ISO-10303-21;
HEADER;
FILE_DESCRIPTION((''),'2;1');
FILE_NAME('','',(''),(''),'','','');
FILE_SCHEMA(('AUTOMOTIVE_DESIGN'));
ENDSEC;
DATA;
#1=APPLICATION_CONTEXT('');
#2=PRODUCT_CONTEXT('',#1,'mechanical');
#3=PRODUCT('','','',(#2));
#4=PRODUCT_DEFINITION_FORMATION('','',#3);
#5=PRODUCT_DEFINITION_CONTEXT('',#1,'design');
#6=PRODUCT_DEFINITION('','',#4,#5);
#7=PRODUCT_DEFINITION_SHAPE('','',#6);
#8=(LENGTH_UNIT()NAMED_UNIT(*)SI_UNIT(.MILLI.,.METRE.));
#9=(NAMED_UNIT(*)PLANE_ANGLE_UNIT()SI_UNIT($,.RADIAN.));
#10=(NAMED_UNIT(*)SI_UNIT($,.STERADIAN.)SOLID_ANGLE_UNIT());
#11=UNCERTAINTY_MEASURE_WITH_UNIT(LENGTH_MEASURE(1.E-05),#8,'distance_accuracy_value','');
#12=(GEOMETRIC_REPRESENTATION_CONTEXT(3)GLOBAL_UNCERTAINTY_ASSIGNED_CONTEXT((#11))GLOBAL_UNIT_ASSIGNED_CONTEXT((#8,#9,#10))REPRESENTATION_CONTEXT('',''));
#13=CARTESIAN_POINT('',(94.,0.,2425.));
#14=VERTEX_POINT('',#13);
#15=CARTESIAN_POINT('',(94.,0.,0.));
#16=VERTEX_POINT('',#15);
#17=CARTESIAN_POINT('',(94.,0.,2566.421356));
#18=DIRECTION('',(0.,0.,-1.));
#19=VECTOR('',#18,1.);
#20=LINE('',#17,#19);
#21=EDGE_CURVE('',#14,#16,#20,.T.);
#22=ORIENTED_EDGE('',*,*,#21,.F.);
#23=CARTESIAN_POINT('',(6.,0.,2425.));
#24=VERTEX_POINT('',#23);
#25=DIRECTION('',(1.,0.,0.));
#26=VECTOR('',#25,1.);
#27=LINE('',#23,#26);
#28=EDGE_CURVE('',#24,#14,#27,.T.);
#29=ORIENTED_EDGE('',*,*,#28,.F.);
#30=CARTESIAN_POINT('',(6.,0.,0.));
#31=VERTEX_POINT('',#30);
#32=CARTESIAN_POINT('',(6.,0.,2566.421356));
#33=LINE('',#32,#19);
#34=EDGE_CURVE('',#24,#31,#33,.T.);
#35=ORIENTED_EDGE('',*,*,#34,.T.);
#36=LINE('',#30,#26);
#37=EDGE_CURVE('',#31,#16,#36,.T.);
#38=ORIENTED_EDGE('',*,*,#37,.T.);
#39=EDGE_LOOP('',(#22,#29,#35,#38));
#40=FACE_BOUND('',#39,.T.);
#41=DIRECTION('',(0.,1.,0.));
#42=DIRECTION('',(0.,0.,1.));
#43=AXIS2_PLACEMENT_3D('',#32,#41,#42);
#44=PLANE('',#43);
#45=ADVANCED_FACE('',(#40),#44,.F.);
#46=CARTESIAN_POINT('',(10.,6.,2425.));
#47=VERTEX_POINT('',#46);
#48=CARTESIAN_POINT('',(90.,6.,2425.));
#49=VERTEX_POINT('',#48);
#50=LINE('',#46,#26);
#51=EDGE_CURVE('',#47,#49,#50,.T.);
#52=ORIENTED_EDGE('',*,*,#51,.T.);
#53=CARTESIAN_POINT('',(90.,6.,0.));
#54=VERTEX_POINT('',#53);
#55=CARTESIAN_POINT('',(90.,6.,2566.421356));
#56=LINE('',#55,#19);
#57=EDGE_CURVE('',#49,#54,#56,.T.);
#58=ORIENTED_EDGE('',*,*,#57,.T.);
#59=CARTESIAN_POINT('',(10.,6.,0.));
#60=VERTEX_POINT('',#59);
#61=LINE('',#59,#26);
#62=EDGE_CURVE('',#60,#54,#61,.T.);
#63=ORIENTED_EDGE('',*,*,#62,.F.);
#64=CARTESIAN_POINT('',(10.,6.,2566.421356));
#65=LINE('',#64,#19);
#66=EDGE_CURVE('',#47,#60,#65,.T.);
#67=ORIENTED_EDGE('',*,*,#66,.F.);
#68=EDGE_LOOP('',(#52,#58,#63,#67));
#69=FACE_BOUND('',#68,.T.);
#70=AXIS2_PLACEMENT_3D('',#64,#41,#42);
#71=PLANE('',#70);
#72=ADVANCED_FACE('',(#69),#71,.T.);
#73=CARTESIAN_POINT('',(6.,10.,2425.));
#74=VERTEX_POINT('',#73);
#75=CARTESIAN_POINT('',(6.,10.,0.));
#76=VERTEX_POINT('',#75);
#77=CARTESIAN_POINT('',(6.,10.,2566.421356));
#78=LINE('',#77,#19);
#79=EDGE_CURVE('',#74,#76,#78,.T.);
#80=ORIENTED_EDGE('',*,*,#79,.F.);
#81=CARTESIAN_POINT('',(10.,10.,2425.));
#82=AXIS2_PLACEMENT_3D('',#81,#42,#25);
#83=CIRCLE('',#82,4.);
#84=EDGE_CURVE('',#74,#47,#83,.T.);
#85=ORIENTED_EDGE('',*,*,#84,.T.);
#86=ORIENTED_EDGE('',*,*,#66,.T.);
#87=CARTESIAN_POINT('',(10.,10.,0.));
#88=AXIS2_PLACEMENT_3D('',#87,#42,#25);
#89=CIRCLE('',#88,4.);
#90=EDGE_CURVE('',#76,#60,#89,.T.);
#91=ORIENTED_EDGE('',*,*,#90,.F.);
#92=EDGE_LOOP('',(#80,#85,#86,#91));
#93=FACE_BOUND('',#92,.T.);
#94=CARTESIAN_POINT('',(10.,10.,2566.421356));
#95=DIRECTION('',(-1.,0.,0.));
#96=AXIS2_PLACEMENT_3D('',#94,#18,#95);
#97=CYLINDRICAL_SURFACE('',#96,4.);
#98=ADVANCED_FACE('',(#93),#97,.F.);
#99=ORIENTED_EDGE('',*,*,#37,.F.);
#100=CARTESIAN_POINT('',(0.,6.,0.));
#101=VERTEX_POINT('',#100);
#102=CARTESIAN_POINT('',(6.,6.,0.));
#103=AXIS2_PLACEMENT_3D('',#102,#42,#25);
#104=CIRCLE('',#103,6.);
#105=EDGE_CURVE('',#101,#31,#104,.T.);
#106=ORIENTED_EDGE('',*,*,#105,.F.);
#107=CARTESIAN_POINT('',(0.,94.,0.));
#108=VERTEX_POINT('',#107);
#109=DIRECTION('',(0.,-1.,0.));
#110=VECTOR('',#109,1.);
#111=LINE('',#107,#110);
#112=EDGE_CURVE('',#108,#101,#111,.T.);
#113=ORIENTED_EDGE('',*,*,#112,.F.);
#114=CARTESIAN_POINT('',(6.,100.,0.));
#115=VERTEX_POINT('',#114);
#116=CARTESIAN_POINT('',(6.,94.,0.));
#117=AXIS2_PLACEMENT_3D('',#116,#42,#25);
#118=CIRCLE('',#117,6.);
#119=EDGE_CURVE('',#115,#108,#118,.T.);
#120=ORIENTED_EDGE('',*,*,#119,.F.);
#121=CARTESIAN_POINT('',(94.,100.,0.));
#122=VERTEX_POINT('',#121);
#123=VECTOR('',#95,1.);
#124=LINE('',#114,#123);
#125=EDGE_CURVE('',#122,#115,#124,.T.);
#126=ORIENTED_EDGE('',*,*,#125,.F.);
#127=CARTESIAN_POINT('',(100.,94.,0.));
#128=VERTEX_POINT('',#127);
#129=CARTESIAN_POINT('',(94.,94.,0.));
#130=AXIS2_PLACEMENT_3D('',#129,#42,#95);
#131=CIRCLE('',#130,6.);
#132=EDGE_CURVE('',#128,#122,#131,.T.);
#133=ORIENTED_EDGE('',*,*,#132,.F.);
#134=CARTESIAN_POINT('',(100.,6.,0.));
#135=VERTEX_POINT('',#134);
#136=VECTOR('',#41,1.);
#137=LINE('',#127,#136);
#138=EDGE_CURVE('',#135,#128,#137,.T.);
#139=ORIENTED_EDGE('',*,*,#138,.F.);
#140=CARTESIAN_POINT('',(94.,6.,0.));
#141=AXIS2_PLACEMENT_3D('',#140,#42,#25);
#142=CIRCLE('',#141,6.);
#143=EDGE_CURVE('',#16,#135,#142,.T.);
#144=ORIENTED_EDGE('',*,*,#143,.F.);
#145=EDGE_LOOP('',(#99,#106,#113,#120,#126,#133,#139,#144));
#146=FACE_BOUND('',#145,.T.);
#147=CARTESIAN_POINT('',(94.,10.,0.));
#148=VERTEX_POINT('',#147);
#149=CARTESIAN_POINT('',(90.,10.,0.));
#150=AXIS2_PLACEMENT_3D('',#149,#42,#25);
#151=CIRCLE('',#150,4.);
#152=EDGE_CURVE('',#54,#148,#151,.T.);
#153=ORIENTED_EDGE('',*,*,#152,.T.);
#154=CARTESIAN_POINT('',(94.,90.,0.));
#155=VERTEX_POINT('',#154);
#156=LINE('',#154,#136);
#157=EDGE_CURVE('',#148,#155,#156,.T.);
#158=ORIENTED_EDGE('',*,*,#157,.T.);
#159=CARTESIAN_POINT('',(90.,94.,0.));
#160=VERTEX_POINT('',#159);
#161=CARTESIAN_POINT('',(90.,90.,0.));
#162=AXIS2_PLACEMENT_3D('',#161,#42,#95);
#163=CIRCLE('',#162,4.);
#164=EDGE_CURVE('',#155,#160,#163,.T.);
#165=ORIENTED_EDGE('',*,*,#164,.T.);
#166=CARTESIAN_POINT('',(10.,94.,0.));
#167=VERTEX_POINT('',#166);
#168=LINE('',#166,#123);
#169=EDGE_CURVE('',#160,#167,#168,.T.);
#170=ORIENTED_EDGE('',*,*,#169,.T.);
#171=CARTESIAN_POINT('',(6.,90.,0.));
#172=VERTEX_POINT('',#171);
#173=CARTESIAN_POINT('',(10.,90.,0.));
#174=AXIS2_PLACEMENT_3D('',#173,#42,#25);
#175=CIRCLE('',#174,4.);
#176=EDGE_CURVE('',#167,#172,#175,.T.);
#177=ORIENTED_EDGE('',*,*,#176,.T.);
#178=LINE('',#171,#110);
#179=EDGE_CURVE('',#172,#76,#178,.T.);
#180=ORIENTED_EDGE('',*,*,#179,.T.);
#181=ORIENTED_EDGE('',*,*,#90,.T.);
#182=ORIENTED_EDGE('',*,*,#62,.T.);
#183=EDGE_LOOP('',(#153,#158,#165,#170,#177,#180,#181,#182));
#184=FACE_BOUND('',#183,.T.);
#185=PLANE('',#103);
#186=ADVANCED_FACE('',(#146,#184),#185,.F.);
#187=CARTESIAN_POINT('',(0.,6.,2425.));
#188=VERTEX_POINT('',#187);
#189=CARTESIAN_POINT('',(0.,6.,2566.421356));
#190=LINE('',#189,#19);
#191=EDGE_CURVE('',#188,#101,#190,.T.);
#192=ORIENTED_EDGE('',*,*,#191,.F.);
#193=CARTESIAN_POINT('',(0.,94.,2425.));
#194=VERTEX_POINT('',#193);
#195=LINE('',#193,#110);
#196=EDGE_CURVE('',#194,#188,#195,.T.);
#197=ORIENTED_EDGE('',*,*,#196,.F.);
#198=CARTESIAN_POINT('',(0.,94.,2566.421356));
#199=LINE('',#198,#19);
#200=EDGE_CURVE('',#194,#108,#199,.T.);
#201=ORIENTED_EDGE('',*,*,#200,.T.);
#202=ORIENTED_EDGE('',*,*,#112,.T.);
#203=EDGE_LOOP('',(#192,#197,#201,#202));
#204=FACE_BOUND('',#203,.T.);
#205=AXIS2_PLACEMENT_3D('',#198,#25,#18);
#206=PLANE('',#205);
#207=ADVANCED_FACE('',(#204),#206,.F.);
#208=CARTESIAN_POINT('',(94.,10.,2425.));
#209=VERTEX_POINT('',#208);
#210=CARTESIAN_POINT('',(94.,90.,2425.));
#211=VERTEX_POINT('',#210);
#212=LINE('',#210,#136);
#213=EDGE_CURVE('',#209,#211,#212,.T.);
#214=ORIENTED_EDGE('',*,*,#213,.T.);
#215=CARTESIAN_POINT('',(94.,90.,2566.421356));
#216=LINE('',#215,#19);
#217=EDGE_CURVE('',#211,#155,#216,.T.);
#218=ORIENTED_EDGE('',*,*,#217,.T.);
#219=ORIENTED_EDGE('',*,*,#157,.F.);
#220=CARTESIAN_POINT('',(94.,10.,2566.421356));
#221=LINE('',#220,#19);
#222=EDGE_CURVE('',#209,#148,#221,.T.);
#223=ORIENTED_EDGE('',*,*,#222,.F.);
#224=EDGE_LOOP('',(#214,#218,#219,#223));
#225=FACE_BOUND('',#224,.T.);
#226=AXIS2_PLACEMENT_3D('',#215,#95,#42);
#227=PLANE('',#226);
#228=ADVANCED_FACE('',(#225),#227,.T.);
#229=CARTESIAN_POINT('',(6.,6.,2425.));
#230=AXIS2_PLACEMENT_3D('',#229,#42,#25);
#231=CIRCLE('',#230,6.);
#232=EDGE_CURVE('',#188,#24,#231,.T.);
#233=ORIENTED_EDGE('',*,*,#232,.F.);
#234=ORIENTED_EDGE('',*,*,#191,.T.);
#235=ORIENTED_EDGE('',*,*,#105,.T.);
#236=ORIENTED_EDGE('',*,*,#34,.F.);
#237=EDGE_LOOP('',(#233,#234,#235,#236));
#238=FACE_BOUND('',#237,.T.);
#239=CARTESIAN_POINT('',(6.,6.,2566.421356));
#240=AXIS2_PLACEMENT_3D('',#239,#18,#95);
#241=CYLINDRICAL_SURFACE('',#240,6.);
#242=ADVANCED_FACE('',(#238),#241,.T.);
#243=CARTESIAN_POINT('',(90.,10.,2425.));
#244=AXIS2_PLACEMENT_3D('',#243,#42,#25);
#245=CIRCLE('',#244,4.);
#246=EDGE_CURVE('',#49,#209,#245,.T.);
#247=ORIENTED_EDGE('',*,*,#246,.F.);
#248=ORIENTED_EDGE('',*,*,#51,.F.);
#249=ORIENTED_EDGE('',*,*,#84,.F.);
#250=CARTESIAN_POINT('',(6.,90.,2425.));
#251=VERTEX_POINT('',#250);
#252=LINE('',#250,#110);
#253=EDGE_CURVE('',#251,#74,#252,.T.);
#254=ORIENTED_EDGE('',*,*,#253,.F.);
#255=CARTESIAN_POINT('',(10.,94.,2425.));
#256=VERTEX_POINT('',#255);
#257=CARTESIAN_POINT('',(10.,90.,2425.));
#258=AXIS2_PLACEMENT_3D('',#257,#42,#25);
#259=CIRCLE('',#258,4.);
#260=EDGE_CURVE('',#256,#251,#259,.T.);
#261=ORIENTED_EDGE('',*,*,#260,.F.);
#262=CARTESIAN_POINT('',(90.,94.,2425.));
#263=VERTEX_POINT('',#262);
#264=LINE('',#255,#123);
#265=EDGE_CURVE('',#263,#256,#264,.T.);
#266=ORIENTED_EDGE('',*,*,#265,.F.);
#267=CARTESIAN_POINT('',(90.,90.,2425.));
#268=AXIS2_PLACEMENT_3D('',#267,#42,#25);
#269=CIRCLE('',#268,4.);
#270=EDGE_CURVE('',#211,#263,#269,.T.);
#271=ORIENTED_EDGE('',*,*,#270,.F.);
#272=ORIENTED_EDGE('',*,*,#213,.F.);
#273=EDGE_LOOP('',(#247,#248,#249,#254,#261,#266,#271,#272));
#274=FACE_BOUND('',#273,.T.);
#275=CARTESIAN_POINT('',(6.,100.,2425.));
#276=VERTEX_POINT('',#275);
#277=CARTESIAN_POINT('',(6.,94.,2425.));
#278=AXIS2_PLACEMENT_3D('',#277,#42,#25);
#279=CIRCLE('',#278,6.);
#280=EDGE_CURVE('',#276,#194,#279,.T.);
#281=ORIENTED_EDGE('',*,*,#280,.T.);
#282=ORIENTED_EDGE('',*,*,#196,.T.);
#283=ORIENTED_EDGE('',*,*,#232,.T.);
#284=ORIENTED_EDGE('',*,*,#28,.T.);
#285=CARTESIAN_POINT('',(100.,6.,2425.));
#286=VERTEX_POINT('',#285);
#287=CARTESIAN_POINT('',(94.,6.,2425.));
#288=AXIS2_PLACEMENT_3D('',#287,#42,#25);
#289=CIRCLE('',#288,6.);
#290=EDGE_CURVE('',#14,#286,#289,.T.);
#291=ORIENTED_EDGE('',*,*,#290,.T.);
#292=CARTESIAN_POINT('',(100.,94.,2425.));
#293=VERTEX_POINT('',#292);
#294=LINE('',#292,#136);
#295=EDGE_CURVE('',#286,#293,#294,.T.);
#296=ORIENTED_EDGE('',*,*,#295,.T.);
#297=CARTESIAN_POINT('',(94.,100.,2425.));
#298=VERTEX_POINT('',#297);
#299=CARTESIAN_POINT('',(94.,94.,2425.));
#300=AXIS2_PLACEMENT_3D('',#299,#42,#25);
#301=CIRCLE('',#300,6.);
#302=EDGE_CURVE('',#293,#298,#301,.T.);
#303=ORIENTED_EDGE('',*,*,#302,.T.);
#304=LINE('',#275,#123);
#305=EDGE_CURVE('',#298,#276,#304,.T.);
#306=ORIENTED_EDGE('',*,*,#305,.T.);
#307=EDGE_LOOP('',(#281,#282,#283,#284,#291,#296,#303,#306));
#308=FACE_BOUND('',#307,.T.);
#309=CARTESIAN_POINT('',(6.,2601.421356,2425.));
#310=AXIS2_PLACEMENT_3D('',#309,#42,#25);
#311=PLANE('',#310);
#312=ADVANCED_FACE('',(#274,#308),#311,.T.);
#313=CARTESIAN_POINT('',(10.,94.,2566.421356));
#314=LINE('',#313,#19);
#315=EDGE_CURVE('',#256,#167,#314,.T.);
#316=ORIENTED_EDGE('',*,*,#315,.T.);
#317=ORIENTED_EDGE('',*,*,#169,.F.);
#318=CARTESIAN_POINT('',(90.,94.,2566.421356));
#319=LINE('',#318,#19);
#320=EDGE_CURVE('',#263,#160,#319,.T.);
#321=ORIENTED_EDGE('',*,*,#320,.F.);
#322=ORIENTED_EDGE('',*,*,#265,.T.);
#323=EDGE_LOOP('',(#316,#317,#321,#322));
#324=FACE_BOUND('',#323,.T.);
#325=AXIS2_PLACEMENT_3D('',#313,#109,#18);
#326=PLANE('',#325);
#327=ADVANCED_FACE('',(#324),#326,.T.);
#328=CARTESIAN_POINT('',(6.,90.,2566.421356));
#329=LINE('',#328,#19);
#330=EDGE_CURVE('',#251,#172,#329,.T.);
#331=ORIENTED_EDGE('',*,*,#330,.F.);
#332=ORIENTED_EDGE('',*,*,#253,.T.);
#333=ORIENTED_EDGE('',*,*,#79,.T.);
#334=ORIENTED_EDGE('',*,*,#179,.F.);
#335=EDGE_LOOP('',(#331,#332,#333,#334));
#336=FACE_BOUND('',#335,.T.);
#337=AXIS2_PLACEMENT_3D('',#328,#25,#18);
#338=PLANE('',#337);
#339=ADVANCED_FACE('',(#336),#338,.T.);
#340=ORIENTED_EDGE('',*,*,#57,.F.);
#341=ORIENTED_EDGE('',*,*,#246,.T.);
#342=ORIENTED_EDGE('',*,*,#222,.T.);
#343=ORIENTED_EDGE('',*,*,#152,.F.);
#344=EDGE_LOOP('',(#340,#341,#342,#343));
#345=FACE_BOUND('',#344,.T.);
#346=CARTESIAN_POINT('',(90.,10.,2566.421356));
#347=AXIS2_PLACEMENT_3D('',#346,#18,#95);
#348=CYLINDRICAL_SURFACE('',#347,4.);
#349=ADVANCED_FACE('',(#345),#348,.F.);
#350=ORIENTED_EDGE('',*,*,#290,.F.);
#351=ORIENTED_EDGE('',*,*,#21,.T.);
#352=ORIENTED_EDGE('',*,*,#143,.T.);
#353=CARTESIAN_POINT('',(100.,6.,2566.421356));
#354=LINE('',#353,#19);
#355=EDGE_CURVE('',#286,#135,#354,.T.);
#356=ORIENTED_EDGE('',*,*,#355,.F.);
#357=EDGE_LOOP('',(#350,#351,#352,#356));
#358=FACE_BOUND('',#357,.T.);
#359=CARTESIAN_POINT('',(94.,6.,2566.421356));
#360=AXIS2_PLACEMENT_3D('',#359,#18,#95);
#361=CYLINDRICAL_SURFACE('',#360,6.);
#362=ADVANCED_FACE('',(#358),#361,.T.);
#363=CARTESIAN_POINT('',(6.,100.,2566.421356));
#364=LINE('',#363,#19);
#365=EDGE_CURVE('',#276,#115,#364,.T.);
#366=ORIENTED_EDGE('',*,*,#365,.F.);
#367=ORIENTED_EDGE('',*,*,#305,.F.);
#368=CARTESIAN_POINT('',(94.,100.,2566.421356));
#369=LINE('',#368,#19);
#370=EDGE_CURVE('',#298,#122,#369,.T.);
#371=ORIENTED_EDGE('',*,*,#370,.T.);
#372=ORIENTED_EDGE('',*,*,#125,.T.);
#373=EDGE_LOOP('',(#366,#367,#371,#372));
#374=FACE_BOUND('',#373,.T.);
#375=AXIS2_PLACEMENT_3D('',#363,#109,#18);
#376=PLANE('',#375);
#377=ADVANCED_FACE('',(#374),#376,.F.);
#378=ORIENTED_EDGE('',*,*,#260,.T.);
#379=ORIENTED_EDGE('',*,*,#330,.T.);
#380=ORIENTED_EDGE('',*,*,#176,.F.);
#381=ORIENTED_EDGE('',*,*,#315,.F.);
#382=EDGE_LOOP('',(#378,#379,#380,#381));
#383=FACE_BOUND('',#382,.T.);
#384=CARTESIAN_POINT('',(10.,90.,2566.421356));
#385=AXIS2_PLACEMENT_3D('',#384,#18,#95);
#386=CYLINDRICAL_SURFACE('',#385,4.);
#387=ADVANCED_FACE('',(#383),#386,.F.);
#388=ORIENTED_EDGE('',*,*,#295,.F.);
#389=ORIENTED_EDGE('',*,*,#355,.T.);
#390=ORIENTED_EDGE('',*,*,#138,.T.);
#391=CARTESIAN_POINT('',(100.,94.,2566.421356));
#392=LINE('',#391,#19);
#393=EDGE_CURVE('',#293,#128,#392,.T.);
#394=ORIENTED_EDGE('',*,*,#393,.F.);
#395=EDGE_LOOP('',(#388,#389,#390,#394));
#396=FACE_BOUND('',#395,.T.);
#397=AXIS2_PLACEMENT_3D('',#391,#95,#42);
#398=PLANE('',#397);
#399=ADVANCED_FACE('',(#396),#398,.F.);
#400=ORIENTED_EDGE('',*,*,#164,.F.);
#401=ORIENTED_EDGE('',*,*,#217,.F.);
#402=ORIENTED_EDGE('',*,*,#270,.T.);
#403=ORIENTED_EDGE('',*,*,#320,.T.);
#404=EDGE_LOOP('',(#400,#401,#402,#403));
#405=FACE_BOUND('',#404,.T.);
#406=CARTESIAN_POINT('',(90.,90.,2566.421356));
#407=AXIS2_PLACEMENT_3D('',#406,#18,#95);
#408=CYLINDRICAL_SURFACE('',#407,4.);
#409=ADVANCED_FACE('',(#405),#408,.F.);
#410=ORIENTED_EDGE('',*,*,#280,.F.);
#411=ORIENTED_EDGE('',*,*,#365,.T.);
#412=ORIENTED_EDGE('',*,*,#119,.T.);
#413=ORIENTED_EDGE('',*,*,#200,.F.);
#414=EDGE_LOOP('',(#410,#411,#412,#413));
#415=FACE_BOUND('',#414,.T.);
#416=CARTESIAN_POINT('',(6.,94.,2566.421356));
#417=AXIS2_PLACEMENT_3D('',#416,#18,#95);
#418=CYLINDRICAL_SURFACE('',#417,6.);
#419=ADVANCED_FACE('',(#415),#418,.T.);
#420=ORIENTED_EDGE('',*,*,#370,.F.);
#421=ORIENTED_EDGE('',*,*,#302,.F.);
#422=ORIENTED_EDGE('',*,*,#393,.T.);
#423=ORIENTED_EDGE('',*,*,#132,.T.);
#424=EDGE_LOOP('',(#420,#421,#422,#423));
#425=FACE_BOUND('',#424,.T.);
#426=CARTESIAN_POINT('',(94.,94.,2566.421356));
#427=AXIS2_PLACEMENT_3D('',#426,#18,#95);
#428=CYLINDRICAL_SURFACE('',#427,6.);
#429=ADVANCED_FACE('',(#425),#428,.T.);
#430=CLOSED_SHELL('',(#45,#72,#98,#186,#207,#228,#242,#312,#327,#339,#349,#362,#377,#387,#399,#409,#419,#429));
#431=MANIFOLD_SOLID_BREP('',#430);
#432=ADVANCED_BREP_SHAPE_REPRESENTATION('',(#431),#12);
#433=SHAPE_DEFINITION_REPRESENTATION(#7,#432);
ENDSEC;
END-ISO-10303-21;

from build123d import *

# Parameters (mm, degrees)
EXTRUDE_1_DEPTH = 2425


with BuildPart() as part:
    # Эскиз1 → Бобышка-Вытянуть1 (new body)
    with BuildSketch(Plane.XY):
        with BuildLine():
            Line((6, 100), (94, 100))
            ThreePointArc((94, 100), (98.242640687, 98.242640687), (100, 94))
            Line((100, 94), (100, 6))
            ThreePointArc((100, 6), (98.242640687, 1.757359313), (94, 0))
            Line((94, 0), (6, 0))
            ThreePointArc((6, 0), (1.757359313, 1.757359313), (0, 6))
            Line((0, 6), (0, 94))
            ThreePointArc((0, 94), (1.757359313, 98.242640687), (6, 100))
        make_face()
        with BuildLine():
            Line((10, 94), (90, 94))
            ThreePointArc((90, 94), (92.828427125, 92.828427125), (94, 90))
            Line((94, 90), (94, 10))
            ThreePointArc((94, 10), (92.828427125, 7.171572875), (90, 6))
            Line((90, 6), (10, 6))
            ThreePointArc((10, 6), (7.171572875, 7.171572875), (6, 10))
            Line((6, 10), (6, 90))
            ThreePointArc((6, 90), (7.171572875, 92.828427125), (10, 94))
        make_face(mode=Mode.SUBTRACT)
    extrude(amount=EXTRUDE_1_DEPTH)


solid = part.part
